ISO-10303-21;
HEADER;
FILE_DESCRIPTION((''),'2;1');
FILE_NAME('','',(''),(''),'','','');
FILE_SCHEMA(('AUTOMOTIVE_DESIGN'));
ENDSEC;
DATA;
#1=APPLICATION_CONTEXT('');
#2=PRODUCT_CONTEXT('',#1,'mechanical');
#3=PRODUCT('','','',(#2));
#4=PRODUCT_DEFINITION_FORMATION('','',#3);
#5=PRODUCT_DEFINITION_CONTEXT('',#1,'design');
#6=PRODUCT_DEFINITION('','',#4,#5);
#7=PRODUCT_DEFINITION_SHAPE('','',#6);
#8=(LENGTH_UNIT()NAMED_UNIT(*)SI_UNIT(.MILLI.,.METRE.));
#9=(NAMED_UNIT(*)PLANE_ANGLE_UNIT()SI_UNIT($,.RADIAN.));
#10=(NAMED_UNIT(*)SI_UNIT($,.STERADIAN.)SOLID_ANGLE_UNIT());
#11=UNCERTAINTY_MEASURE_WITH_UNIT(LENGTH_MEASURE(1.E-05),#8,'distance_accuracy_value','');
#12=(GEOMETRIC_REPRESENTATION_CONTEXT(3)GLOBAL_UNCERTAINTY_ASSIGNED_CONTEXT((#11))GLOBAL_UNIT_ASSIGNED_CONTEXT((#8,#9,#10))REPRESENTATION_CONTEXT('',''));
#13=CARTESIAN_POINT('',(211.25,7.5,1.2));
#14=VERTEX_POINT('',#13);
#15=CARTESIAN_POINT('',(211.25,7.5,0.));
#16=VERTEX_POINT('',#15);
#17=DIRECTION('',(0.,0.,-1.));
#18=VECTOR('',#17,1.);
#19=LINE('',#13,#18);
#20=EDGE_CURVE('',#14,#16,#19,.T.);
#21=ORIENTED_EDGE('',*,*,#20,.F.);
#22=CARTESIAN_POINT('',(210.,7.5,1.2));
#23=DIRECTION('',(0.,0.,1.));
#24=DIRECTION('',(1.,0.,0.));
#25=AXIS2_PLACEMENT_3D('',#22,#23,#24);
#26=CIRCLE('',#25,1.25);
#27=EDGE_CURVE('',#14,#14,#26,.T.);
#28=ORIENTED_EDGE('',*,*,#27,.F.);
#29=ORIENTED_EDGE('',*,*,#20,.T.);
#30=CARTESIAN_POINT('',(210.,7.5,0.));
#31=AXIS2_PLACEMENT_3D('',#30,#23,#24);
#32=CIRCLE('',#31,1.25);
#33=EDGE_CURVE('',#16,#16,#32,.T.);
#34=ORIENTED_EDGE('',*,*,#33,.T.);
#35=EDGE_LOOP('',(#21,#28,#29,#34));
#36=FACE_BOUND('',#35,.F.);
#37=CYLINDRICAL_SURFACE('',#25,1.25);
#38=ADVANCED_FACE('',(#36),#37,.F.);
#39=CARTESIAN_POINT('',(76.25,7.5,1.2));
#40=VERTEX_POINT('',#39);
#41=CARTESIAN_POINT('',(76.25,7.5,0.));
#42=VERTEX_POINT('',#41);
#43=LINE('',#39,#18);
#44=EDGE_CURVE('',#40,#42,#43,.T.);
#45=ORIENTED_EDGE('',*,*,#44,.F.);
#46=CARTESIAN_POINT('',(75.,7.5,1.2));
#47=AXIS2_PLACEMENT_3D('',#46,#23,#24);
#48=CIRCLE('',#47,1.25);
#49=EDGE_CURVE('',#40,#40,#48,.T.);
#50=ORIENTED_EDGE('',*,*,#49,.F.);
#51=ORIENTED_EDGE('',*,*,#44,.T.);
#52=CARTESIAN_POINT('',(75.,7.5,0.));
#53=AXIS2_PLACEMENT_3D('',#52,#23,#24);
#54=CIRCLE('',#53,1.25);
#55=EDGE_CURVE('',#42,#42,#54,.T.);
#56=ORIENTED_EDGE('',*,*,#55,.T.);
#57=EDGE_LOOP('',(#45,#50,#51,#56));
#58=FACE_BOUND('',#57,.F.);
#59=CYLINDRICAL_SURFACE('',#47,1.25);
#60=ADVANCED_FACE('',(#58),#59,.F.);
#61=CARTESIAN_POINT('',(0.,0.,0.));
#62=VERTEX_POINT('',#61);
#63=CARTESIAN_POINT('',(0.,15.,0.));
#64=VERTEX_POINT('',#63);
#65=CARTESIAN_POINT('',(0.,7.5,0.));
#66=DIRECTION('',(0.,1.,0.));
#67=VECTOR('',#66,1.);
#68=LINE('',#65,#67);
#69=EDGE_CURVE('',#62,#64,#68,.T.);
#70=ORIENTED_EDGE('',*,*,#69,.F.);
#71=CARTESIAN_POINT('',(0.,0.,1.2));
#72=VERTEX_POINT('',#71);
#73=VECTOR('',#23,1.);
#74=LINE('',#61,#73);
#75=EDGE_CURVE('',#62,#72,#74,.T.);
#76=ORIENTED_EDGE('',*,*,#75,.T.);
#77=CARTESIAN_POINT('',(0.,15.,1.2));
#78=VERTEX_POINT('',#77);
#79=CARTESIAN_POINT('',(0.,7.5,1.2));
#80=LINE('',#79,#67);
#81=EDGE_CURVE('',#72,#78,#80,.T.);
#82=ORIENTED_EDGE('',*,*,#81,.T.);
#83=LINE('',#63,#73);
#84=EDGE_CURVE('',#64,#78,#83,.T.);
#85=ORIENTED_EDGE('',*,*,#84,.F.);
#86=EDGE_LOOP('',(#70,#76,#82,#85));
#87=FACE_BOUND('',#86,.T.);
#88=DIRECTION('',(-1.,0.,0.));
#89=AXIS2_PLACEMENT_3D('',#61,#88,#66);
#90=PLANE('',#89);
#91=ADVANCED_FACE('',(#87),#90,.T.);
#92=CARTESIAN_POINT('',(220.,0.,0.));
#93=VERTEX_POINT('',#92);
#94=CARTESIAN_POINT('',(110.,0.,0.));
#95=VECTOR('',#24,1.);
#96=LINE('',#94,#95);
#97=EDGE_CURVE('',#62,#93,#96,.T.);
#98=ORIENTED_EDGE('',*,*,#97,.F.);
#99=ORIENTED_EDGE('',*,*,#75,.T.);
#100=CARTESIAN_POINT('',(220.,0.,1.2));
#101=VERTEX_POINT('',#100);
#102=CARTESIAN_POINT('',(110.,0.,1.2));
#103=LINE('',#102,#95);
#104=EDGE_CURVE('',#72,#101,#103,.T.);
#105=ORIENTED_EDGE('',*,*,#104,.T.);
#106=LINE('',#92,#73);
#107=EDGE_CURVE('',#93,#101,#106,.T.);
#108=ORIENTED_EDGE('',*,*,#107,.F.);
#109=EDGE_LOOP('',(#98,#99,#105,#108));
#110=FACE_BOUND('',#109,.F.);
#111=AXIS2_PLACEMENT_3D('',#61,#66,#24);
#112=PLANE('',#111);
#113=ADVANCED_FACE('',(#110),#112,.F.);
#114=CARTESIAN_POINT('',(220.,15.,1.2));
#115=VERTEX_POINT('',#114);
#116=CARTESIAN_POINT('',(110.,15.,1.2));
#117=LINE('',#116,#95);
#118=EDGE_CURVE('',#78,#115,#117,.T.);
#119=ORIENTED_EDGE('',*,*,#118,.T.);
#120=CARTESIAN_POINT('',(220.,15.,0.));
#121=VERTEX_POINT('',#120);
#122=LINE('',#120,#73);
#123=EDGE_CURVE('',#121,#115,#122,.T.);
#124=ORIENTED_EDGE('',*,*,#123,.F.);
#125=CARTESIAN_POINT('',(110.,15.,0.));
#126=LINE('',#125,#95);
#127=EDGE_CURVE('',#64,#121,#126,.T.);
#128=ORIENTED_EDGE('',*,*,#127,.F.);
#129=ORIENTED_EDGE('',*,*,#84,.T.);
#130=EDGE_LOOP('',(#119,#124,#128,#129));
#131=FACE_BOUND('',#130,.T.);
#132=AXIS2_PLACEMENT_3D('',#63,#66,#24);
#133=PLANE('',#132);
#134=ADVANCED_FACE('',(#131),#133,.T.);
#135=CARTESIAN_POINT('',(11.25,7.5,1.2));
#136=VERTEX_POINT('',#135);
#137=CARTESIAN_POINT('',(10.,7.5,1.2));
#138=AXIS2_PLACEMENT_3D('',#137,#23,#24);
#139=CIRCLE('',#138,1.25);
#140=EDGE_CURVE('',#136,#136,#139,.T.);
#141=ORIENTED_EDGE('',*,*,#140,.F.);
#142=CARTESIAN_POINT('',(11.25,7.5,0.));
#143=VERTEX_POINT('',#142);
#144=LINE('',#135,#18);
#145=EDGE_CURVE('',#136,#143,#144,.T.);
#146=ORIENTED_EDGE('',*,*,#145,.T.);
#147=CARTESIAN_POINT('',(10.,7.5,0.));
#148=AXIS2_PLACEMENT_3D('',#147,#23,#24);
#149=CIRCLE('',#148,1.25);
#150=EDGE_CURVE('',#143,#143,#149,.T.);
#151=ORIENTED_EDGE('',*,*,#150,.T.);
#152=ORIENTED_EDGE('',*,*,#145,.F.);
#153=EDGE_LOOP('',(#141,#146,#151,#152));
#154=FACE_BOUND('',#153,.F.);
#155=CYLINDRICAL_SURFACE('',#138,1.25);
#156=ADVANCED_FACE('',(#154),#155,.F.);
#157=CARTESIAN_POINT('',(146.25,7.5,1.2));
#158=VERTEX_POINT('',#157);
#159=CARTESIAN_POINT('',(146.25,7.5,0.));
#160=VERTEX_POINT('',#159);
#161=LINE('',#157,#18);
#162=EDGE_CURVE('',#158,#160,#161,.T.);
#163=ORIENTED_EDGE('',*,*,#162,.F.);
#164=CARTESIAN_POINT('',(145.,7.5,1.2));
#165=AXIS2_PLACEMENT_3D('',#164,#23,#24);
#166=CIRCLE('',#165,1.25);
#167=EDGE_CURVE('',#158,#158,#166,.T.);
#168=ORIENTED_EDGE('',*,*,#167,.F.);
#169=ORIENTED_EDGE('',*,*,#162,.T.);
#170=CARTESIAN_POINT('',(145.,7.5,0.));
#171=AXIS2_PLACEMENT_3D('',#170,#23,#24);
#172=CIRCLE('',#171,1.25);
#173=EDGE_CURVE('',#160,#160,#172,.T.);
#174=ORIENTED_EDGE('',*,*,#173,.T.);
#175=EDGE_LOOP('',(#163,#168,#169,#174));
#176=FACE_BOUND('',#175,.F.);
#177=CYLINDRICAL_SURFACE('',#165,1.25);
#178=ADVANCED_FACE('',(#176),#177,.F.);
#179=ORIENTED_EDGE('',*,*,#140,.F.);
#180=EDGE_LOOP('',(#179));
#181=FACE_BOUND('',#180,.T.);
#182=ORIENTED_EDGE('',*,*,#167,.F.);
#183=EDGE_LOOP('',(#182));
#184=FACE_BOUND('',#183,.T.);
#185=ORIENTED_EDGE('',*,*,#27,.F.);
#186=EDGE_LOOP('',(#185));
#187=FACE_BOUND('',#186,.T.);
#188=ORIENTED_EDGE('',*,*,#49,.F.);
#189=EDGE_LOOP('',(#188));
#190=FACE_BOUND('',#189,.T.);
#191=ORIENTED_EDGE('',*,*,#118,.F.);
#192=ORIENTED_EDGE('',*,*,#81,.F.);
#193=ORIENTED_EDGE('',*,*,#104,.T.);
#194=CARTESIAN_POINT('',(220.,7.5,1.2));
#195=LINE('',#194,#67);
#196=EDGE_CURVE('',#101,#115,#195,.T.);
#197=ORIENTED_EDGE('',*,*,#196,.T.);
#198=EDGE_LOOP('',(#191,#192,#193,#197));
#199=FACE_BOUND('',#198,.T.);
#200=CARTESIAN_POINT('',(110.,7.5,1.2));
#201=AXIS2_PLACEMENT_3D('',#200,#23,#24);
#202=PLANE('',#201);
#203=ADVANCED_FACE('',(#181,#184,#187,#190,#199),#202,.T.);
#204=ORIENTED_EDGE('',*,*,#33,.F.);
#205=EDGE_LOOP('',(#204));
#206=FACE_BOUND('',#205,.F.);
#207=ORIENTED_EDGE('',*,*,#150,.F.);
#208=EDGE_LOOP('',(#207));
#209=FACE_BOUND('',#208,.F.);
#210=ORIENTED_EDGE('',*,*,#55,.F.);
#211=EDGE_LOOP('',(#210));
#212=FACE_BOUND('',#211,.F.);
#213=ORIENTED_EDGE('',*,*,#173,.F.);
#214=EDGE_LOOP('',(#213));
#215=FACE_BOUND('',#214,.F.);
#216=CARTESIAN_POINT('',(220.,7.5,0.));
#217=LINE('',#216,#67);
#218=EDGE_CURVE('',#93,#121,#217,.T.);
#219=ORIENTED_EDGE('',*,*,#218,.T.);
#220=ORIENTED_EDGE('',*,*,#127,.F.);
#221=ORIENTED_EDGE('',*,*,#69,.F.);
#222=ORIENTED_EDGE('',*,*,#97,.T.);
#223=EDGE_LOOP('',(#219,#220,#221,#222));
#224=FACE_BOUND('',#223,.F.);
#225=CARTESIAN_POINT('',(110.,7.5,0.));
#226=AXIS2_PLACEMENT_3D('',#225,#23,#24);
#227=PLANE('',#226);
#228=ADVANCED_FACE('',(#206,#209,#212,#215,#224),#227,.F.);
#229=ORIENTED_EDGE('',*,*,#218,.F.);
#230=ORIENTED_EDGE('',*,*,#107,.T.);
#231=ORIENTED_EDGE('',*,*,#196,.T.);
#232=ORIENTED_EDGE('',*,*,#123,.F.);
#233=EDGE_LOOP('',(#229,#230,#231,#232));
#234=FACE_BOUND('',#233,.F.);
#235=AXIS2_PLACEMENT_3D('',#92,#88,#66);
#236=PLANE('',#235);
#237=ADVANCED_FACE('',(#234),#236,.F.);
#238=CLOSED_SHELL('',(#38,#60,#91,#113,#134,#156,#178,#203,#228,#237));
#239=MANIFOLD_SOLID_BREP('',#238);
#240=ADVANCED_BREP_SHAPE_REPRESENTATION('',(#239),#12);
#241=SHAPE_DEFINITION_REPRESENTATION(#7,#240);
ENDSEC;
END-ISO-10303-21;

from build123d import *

# Parameters (mm, degrees)
SKETCH_W     = 220
SKETCH_H     = 15
PAD_DEPTH    = 1.2
SKETCH001_R  = 1.25
POCKET_DEPTH = 1.201


with BuildPart() as part:
    # Sketch → Pad (new body)
    with BuildSketch(Plane.XY):
        with Locations((110, 7.5)):
            Rectangle(SKETCH_W, SKETCH_H)
    extrude(amount=PAD_DEPTH)

    # Sketch001 (on Face6 of Pad) → Pocket (cut, through all)
    with BuildSketch(Plane.XY.offset(1.2)):
        with Locations((10, 7.5)):
            Circle(SKETCH001_R)
        with Locations((210, 7.5)):
            Circle(SKETCH001_R)
        with Locations((75, 7.5)):
            Circle(SKETCH001_R)
        with Locations((145, 7.5)):
            Circle(SKETCH001_R)
    extrude(amount=-POCKET_DEPTH, mode=Mode.SUBTRACT)


solid = part.part
